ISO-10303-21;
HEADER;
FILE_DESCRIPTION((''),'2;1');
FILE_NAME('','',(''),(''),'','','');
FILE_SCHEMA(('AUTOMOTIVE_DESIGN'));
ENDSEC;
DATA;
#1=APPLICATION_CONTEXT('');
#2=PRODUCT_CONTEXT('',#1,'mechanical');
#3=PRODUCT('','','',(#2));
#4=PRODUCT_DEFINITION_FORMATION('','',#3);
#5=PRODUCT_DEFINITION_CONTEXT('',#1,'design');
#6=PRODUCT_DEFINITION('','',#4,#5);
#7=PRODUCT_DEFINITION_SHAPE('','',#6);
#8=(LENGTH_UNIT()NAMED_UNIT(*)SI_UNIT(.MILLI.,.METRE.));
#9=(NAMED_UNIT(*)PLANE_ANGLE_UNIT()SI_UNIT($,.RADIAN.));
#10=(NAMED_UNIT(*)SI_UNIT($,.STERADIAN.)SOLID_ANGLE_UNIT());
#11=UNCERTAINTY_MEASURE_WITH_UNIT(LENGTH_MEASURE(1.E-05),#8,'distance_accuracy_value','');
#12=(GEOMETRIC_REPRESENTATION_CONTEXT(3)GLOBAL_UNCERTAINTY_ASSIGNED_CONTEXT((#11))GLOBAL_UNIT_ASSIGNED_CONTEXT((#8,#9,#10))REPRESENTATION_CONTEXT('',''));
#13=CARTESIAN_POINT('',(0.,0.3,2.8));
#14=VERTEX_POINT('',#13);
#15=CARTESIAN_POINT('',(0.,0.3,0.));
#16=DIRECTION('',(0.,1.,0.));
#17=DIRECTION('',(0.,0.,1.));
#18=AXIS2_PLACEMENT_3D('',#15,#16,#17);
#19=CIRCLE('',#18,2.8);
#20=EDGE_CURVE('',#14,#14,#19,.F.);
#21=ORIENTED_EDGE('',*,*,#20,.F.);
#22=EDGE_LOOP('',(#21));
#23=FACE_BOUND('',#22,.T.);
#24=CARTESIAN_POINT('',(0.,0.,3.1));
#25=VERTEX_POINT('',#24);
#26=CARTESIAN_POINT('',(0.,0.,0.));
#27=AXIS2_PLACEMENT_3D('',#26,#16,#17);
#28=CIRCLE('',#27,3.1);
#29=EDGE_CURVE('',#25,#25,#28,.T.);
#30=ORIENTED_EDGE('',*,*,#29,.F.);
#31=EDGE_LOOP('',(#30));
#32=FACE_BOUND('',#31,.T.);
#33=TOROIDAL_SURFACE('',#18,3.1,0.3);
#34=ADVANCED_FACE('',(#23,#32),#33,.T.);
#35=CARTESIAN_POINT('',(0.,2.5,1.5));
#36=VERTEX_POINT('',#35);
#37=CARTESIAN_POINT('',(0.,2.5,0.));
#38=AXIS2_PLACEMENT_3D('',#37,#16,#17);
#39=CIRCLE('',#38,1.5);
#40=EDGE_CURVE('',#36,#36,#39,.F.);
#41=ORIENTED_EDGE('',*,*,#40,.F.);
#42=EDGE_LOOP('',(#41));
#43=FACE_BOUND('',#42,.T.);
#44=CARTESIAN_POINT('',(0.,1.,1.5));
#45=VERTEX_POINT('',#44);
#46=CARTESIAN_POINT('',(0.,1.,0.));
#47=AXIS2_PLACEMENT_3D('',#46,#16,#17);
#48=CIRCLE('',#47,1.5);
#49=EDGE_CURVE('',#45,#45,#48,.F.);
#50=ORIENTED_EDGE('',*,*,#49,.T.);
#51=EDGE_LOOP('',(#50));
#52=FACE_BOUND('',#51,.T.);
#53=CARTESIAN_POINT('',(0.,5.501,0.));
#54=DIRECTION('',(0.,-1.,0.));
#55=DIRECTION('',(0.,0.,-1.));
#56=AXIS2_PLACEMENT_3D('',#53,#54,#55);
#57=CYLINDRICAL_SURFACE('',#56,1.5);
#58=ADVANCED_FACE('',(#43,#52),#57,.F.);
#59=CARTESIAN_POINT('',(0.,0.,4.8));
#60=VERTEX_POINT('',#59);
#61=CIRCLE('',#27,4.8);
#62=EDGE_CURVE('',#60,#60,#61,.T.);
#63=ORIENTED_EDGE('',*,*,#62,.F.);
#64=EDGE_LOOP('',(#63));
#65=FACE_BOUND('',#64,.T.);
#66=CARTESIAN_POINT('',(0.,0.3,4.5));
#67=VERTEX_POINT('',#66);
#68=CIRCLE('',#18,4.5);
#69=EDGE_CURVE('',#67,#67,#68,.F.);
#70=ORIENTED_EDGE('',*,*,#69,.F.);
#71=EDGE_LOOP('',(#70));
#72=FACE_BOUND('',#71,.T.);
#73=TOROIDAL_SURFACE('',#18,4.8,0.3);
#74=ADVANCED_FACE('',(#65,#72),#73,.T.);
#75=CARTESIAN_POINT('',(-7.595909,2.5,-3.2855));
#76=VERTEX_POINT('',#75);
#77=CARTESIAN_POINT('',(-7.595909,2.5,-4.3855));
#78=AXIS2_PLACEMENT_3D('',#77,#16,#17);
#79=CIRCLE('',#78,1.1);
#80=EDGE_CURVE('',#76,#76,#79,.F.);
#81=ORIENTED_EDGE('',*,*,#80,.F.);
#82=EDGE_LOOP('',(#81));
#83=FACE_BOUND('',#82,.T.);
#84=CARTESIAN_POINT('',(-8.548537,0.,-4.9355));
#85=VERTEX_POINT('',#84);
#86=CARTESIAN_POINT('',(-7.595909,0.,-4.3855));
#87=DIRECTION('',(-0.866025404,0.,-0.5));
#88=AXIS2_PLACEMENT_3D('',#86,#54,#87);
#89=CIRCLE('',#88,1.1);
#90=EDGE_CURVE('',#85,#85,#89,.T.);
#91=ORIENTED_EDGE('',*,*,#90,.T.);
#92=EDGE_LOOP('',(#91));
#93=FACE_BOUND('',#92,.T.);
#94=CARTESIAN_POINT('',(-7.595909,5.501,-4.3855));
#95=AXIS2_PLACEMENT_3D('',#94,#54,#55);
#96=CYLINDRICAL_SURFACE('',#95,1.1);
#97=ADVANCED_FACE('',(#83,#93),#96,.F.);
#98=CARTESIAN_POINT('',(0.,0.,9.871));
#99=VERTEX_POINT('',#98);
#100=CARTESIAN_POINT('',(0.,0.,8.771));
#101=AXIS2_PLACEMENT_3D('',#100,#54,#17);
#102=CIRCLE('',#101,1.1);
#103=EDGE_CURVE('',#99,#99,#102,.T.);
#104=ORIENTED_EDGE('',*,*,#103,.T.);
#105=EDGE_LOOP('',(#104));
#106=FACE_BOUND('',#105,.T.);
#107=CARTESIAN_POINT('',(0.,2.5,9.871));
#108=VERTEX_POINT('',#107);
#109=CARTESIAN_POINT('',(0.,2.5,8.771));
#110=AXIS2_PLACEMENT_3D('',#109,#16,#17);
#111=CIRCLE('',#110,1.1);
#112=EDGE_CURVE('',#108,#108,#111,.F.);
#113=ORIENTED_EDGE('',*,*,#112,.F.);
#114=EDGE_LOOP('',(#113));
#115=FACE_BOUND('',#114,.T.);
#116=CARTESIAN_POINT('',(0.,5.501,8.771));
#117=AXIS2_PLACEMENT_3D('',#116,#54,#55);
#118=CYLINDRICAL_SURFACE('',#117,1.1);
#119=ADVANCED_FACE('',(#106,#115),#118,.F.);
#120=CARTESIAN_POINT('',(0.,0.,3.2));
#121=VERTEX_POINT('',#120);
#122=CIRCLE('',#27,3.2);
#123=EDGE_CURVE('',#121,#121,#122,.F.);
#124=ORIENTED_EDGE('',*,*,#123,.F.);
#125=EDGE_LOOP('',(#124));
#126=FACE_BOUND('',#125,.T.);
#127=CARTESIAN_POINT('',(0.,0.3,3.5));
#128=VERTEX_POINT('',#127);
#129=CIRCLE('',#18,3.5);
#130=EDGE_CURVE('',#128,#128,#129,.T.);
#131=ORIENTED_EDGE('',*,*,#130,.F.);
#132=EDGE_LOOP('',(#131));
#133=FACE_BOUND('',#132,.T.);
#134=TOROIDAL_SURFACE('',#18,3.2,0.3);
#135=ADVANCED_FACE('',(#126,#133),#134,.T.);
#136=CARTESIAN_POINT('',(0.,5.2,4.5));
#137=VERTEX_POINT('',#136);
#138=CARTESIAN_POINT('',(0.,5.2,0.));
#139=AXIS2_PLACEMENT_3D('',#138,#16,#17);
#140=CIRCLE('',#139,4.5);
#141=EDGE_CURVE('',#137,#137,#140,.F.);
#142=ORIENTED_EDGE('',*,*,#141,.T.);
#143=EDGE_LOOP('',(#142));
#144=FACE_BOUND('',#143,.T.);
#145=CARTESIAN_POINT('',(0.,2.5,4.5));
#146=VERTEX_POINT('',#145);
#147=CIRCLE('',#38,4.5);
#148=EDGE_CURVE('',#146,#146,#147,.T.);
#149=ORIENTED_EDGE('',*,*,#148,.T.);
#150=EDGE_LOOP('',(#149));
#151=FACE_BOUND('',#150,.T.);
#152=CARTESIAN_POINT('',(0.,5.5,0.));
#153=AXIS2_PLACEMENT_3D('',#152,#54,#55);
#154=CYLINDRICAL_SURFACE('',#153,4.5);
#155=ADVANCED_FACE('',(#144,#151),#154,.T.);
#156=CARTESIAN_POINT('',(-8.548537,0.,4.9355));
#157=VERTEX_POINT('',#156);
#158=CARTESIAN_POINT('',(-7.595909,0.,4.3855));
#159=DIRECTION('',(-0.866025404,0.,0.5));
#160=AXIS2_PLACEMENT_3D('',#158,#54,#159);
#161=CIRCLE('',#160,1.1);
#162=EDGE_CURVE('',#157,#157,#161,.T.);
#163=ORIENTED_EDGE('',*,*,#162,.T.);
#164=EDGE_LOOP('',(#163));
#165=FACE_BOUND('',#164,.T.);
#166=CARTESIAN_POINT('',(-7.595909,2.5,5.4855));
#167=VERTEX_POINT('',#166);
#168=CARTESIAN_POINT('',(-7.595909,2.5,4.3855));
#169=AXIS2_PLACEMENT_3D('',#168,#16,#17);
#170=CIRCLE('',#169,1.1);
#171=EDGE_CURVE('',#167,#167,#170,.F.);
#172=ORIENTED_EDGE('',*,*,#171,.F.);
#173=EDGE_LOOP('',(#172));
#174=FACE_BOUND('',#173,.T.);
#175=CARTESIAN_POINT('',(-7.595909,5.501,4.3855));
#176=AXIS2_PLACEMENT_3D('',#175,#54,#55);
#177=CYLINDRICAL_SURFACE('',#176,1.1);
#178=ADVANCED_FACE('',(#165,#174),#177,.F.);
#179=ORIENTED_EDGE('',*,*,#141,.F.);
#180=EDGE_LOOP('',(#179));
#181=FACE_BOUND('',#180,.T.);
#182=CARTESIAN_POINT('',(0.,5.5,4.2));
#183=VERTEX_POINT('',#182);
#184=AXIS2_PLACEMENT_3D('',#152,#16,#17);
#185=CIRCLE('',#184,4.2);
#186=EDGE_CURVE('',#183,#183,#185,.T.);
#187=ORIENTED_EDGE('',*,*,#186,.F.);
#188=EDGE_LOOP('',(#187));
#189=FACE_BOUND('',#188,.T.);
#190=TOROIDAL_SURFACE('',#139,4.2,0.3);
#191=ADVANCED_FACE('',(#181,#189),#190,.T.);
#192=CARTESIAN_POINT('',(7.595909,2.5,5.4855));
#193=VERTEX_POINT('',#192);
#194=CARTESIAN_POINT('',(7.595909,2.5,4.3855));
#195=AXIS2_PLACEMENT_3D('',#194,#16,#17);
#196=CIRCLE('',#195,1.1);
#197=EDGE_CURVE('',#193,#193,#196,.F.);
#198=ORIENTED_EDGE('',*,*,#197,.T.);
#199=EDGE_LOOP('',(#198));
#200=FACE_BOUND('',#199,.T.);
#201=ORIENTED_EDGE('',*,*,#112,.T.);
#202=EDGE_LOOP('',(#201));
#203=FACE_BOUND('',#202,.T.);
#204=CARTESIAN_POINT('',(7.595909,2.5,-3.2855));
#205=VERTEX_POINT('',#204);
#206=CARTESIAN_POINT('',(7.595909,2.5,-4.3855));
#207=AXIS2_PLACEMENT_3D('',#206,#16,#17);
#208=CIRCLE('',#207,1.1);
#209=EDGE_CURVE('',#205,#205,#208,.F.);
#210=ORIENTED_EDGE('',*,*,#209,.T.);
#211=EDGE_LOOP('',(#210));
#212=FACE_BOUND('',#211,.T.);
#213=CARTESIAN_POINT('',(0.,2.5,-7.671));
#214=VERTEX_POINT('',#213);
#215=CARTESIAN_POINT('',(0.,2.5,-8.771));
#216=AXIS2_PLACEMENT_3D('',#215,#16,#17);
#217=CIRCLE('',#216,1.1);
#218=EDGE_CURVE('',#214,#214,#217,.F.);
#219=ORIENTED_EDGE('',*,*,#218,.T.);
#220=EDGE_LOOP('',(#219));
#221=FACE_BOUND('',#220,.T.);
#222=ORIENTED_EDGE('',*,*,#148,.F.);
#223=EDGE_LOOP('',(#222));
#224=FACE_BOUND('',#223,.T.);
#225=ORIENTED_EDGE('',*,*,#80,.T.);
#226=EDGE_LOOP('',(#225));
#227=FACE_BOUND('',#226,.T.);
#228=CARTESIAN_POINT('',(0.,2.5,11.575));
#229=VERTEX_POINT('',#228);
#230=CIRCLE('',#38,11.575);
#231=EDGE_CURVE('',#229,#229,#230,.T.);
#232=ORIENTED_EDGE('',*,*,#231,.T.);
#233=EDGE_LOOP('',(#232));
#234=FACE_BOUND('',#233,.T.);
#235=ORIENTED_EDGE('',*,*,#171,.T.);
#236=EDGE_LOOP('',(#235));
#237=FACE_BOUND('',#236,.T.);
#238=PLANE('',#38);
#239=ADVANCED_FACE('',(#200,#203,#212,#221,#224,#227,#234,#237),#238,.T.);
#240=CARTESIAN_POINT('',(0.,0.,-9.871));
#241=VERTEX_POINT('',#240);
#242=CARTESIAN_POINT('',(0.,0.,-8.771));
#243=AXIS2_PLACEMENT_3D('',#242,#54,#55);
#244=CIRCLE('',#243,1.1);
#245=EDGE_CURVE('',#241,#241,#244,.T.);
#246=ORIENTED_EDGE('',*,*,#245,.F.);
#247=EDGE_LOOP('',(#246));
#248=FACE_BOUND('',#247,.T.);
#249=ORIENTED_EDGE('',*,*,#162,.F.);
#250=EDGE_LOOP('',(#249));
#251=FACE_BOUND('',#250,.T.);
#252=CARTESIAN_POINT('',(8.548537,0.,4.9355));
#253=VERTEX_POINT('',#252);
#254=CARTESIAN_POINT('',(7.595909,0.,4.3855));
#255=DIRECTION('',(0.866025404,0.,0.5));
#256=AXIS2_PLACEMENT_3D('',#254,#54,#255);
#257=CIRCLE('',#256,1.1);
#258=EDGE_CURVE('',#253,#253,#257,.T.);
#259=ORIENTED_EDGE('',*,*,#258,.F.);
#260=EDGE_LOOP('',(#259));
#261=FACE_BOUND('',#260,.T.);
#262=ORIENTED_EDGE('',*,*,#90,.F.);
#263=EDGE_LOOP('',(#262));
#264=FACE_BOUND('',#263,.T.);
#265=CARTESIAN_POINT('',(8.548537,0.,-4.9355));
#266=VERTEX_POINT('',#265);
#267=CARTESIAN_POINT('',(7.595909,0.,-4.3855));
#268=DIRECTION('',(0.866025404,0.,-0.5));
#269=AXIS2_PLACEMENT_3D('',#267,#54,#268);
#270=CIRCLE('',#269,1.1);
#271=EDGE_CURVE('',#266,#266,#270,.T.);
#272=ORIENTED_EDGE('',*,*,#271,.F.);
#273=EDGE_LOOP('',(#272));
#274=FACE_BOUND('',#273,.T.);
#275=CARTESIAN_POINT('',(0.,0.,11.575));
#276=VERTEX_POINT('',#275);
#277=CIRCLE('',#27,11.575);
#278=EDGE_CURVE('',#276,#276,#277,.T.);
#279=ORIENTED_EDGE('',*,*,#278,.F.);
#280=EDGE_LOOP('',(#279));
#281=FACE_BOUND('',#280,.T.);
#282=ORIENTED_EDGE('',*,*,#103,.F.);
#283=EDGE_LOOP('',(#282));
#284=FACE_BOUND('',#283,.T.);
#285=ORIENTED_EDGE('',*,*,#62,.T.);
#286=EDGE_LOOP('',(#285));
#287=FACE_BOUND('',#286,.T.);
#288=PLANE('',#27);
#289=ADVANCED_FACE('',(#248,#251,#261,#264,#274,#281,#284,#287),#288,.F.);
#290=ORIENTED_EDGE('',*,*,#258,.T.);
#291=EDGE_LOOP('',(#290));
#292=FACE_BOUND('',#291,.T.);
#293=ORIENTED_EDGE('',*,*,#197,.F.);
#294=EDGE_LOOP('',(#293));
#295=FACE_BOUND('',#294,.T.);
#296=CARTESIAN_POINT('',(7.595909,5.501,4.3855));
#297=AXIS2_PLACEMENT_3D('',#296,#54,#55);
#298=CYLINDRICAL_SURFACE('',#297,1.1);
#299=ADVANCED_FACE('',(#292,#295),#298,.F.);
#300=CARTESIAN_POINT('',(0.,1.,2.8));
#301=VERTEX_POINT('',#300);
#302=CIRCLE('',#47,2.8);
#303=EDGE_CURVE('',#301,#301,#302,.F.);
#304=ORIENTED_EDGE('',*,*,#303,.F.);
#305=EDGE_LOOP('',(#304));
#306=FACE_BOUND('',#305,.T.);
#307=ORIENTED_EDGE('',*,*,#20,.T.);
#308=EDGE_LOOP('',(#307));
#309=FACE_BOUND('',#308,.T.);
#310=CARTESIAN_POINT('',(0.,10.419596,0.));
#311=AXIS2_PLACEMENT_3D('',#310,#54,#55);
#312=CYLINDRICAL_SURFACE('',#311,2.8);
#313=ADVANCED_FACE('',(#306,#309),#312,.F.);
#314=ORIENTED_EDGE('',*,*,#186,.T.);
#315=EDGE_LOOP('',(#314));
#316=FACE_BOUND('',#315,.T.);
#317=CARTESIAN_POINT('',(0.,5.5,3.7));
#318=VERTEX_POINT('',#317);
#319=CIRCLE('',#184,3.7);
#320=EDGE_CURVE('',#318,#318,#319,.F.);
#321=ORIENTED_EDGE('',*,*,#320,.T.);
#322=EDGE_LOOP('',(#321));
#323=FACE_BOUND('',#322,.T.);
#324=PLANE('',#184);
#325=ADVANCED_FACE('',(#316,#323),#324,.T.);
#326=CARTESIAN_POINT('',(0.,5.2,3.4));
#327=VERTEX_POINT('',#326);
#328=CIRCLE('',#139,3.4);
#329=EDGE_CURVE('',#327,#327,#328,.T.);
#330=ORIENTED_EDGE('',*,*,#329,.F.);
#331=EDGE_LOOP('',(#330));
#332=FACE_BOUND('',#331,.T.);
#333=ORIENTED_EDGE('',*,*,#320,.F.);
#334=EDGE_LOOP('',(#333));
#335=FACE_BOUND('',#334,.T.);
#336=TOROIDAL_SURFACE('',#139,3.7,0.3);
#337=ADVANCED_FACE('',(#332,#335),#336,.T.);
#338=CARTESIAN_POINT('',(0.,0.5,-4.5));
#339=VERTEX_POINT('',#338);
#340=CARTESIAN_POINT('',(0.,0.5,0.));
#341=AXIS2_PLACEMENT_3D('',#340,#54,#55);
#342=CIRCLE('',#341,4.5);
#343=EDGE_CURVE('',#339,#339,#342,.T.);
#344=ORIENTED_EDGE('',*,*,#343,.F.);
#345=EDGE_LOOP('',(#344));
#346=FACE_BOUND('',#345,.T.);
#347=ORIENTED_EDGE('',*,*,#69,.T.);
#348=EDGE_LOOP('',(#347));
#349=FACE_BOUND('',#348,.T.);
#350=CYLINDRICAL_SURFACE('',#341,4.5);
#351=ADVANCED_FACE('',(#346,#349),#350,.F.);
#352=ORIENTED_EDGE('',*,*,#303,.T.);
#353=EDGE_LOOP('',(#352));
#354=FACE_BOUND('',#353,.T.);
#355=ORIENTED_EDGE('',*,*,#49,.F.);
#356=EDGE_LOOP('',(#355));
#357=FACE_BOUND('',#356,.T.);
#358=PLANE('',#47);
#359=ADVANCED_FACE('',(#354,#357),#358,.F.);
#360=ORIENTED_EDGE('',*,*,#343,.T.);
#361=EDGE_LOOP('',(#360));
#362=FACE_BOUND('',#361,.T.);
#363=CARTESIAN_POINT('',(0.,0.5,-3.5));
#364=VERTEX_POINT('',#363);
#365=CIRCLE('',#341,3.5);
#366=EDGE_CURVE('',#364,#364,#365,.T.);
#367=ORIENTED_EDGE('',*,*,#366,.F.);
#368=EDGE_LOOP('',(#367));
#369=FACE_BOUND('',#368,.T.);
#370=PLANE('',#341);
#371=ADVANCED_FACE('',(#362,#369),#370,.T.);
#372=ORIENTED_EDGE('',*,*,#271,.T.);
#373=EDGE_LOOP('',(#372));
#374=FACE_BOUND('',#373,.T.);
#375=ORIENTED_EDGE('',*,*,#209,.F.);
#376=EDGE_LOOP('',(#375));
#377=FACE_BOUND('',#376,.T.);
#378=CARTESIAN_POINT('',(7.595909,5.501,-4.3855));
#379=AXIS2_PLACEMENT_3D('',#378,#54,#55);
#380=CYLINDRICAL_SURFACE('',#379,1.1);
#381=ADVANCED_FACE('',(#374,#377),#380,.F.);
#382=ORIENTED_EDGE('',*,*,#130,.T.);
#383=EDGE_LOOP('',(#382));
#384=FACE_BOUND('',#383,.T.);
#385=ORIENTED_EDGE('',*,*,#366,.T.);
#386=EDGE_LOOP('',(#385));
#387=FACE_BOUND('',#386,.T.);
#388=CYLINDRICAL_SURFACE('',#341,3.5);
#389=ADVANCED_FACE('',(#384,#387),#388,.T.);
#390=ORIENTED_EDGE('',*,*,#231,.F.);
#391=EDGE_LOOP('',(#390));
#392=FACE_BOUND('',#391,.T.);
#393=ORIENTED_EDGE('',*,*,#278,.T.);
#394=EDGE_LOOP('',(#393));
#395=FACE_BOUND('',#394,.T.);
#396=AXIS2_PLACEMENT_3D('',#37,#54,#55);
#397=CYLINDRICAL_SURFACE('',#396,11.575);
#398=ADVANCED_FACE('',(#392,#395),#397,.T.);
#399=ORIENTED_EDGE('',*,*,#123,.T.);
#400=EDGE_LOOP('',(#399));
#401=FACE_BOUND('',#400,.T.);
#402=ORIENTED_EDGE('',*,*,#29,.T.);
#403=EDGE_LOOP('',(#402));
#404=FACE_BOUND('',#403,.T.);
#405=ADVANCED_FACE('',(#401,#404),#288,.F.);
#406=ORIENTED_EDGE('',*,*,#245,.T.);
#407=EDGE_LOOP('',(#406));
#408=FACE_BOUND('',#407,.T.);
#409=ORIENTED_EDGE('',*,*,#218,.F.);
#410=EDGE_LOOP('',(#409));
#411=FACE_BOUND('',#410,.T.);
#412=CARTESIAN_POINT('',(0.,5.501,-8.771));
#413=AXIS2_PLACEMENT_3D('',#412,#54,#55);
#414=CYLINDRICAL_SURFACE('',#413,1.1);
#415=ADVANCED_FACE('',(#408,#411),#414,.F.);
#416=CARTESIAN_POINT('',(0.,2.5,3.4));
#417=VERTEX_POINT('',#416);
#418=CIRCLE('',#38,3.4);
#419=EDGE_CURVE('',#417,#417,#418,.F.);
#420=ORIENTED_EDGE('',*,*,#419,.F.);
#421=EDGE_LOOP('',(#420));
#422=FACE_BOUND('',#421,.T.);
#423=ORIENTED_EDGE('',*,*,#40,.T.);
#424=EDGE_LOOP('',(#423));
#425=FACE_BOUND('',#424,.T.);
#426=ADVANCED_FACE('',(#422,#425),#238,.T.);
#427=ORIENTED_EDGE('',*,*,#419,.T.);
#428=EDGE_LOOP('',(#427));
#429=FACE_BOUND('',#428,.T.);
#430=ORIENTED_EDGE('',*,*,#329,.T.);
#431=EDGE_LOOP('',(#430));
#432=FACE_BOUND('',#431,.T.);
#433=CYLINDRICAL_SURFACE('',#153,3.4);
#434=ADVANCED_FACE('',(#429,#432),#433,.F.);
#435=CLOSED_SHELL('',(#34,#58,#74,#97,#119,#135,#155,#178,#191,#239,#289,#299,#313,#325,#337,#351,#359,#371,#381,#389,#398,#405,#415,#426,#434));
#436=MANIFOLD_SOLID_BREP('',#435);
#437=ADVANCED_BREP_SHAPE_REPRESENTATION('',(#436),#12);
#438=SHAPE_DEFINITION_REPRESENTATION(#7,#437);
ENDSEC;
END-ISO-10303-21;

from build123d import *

# Parameters (mm, degrees)
CROQUIS1_R              = 11.575
SALIENTE_EXTRUIR1_DEPTH = 2.5
CROQUIS2_R              = 4.5
CROQUIS2_R_2            = 3.4
SALIENTE_EXTRUIR2_DEPTH = 3
CORTAR_EXTRUIR1_REACH   = 7.5
CROQUIS3_R              = 1.5
CROQUIS4_R              = 2.8
CORTAR_EXTRUIR2_DEPTH   = 1
CROQUIS5_R              = 4.5
CROQUIS5_R_2            = 3.5
CORTAR_EXTRUIR3_DEPTH   = 0.5
REDONDEO1_R             = 0.3
CROQUIS6_R              = 1.1
CORTAR_EXTRUIR4_DEPTH   = 2.5
MATRIZC1_COUNT          = 6


with BuildPart() as part:
    # Croquis1 → Saliente-Extruir1 (new body)
    with BuildSketch(Plane(origin=(0, 0, 0), x_dir=(1, 0, 0), z_dir=(0, 1, 0))):
        Circle(CROQUIS1_R)
    extrude(amount=SALIENTE_EXTRUIR1_DEPTH)

    # Croquis2 → Saliente-Extruir2 (add)
    with BuildSketch(Plane(origin=(0, 2.5, 0), x_dir=(1, 0, 0), z_dir=(0, 1, 0))):
        Circle(CROQUIS2_R)
        Circle(CROQUIS2_R_2, mode=Mode.SUBTRACT)
    extrude(amount=SALIENTE_EXTRUIR2_DEPTH)

    # Croquis3 → Cortar-Extruir1 (cut, up to next)
    with BuildSketch(Plane.XZ, mode=Mode.PRIVATE) as cortar_extruir1_sk1:
        Circle(CROQUIS3_R)
    cortar_extruir1_tool1 = extrude(cortar_extruir1_sk1.sketch, amount=-CORTAR_EXTRUIR1_REACH, mode=Mode.PRIVATE) & part.part
    add(cortar_extruir1_tool1.solids().sort_by_distance((0, 0, 0))[0], mode=Mode.SUBTRACT)

    # Croquis4 → Cortar-Extruir2 (cut)
    with BuildSketch(Plane.XZ):
        Circle(CROQUIS4_R)
    extrude(amount=-CORTAR_EXTRUIR2_DEPTH, mode=Mode.SUBTRACT)

    # Croquis5 → Cortar-Extruir3 (cut)
    with BuildSketch(Plane.XZ):
        Circle(CROQUIS5_R)
        Circle(CROQUIS5_R_2, mode=Mode.SUBTRACT)
    extrude(amount=-CORTAR_EXTRUIR3_DEPTH, mode=Mode.SUBTRACT)

    # Redondeo1
    redondeo1_edges = [part.edges().sort_by_distance(p)[0] for p in [
        (-2.8, 0, 0),
        (-4.5, 0, 0),
        (-3.5, 0, 0),
        (-4.5, 5.5, 0),
        (-3.4, 5.5, 0),
    ]]
    fillet(redondeo1_edges, radius=REDONDEO1_R)

    # Croquis6 → Cortar-Extruir4 (cut)
    with BuildSketch(Plane.XZ):
        with Locations((0, -8.771)):
            Circle(CROQUIS6_R)
    cortar_extruir4 = extrude(amount=-CORTAR_EXTRUIR4_DEPTH, mode=Mode.SUBTRACT)

    # MatrizC1: Cortar-Extruir4 ×6 about axis
    matrizc1_axis = Axis((0, 0, 0), (0, 1, 0))
    for i in range(1, MATRIZC1_COUNT):
        add(cortar_extruir4.rotate(matrizc1_axis, i * 360 / MATRIZC1_COUNT), mode=Mode.SUBTRACT)


solid = part.part
